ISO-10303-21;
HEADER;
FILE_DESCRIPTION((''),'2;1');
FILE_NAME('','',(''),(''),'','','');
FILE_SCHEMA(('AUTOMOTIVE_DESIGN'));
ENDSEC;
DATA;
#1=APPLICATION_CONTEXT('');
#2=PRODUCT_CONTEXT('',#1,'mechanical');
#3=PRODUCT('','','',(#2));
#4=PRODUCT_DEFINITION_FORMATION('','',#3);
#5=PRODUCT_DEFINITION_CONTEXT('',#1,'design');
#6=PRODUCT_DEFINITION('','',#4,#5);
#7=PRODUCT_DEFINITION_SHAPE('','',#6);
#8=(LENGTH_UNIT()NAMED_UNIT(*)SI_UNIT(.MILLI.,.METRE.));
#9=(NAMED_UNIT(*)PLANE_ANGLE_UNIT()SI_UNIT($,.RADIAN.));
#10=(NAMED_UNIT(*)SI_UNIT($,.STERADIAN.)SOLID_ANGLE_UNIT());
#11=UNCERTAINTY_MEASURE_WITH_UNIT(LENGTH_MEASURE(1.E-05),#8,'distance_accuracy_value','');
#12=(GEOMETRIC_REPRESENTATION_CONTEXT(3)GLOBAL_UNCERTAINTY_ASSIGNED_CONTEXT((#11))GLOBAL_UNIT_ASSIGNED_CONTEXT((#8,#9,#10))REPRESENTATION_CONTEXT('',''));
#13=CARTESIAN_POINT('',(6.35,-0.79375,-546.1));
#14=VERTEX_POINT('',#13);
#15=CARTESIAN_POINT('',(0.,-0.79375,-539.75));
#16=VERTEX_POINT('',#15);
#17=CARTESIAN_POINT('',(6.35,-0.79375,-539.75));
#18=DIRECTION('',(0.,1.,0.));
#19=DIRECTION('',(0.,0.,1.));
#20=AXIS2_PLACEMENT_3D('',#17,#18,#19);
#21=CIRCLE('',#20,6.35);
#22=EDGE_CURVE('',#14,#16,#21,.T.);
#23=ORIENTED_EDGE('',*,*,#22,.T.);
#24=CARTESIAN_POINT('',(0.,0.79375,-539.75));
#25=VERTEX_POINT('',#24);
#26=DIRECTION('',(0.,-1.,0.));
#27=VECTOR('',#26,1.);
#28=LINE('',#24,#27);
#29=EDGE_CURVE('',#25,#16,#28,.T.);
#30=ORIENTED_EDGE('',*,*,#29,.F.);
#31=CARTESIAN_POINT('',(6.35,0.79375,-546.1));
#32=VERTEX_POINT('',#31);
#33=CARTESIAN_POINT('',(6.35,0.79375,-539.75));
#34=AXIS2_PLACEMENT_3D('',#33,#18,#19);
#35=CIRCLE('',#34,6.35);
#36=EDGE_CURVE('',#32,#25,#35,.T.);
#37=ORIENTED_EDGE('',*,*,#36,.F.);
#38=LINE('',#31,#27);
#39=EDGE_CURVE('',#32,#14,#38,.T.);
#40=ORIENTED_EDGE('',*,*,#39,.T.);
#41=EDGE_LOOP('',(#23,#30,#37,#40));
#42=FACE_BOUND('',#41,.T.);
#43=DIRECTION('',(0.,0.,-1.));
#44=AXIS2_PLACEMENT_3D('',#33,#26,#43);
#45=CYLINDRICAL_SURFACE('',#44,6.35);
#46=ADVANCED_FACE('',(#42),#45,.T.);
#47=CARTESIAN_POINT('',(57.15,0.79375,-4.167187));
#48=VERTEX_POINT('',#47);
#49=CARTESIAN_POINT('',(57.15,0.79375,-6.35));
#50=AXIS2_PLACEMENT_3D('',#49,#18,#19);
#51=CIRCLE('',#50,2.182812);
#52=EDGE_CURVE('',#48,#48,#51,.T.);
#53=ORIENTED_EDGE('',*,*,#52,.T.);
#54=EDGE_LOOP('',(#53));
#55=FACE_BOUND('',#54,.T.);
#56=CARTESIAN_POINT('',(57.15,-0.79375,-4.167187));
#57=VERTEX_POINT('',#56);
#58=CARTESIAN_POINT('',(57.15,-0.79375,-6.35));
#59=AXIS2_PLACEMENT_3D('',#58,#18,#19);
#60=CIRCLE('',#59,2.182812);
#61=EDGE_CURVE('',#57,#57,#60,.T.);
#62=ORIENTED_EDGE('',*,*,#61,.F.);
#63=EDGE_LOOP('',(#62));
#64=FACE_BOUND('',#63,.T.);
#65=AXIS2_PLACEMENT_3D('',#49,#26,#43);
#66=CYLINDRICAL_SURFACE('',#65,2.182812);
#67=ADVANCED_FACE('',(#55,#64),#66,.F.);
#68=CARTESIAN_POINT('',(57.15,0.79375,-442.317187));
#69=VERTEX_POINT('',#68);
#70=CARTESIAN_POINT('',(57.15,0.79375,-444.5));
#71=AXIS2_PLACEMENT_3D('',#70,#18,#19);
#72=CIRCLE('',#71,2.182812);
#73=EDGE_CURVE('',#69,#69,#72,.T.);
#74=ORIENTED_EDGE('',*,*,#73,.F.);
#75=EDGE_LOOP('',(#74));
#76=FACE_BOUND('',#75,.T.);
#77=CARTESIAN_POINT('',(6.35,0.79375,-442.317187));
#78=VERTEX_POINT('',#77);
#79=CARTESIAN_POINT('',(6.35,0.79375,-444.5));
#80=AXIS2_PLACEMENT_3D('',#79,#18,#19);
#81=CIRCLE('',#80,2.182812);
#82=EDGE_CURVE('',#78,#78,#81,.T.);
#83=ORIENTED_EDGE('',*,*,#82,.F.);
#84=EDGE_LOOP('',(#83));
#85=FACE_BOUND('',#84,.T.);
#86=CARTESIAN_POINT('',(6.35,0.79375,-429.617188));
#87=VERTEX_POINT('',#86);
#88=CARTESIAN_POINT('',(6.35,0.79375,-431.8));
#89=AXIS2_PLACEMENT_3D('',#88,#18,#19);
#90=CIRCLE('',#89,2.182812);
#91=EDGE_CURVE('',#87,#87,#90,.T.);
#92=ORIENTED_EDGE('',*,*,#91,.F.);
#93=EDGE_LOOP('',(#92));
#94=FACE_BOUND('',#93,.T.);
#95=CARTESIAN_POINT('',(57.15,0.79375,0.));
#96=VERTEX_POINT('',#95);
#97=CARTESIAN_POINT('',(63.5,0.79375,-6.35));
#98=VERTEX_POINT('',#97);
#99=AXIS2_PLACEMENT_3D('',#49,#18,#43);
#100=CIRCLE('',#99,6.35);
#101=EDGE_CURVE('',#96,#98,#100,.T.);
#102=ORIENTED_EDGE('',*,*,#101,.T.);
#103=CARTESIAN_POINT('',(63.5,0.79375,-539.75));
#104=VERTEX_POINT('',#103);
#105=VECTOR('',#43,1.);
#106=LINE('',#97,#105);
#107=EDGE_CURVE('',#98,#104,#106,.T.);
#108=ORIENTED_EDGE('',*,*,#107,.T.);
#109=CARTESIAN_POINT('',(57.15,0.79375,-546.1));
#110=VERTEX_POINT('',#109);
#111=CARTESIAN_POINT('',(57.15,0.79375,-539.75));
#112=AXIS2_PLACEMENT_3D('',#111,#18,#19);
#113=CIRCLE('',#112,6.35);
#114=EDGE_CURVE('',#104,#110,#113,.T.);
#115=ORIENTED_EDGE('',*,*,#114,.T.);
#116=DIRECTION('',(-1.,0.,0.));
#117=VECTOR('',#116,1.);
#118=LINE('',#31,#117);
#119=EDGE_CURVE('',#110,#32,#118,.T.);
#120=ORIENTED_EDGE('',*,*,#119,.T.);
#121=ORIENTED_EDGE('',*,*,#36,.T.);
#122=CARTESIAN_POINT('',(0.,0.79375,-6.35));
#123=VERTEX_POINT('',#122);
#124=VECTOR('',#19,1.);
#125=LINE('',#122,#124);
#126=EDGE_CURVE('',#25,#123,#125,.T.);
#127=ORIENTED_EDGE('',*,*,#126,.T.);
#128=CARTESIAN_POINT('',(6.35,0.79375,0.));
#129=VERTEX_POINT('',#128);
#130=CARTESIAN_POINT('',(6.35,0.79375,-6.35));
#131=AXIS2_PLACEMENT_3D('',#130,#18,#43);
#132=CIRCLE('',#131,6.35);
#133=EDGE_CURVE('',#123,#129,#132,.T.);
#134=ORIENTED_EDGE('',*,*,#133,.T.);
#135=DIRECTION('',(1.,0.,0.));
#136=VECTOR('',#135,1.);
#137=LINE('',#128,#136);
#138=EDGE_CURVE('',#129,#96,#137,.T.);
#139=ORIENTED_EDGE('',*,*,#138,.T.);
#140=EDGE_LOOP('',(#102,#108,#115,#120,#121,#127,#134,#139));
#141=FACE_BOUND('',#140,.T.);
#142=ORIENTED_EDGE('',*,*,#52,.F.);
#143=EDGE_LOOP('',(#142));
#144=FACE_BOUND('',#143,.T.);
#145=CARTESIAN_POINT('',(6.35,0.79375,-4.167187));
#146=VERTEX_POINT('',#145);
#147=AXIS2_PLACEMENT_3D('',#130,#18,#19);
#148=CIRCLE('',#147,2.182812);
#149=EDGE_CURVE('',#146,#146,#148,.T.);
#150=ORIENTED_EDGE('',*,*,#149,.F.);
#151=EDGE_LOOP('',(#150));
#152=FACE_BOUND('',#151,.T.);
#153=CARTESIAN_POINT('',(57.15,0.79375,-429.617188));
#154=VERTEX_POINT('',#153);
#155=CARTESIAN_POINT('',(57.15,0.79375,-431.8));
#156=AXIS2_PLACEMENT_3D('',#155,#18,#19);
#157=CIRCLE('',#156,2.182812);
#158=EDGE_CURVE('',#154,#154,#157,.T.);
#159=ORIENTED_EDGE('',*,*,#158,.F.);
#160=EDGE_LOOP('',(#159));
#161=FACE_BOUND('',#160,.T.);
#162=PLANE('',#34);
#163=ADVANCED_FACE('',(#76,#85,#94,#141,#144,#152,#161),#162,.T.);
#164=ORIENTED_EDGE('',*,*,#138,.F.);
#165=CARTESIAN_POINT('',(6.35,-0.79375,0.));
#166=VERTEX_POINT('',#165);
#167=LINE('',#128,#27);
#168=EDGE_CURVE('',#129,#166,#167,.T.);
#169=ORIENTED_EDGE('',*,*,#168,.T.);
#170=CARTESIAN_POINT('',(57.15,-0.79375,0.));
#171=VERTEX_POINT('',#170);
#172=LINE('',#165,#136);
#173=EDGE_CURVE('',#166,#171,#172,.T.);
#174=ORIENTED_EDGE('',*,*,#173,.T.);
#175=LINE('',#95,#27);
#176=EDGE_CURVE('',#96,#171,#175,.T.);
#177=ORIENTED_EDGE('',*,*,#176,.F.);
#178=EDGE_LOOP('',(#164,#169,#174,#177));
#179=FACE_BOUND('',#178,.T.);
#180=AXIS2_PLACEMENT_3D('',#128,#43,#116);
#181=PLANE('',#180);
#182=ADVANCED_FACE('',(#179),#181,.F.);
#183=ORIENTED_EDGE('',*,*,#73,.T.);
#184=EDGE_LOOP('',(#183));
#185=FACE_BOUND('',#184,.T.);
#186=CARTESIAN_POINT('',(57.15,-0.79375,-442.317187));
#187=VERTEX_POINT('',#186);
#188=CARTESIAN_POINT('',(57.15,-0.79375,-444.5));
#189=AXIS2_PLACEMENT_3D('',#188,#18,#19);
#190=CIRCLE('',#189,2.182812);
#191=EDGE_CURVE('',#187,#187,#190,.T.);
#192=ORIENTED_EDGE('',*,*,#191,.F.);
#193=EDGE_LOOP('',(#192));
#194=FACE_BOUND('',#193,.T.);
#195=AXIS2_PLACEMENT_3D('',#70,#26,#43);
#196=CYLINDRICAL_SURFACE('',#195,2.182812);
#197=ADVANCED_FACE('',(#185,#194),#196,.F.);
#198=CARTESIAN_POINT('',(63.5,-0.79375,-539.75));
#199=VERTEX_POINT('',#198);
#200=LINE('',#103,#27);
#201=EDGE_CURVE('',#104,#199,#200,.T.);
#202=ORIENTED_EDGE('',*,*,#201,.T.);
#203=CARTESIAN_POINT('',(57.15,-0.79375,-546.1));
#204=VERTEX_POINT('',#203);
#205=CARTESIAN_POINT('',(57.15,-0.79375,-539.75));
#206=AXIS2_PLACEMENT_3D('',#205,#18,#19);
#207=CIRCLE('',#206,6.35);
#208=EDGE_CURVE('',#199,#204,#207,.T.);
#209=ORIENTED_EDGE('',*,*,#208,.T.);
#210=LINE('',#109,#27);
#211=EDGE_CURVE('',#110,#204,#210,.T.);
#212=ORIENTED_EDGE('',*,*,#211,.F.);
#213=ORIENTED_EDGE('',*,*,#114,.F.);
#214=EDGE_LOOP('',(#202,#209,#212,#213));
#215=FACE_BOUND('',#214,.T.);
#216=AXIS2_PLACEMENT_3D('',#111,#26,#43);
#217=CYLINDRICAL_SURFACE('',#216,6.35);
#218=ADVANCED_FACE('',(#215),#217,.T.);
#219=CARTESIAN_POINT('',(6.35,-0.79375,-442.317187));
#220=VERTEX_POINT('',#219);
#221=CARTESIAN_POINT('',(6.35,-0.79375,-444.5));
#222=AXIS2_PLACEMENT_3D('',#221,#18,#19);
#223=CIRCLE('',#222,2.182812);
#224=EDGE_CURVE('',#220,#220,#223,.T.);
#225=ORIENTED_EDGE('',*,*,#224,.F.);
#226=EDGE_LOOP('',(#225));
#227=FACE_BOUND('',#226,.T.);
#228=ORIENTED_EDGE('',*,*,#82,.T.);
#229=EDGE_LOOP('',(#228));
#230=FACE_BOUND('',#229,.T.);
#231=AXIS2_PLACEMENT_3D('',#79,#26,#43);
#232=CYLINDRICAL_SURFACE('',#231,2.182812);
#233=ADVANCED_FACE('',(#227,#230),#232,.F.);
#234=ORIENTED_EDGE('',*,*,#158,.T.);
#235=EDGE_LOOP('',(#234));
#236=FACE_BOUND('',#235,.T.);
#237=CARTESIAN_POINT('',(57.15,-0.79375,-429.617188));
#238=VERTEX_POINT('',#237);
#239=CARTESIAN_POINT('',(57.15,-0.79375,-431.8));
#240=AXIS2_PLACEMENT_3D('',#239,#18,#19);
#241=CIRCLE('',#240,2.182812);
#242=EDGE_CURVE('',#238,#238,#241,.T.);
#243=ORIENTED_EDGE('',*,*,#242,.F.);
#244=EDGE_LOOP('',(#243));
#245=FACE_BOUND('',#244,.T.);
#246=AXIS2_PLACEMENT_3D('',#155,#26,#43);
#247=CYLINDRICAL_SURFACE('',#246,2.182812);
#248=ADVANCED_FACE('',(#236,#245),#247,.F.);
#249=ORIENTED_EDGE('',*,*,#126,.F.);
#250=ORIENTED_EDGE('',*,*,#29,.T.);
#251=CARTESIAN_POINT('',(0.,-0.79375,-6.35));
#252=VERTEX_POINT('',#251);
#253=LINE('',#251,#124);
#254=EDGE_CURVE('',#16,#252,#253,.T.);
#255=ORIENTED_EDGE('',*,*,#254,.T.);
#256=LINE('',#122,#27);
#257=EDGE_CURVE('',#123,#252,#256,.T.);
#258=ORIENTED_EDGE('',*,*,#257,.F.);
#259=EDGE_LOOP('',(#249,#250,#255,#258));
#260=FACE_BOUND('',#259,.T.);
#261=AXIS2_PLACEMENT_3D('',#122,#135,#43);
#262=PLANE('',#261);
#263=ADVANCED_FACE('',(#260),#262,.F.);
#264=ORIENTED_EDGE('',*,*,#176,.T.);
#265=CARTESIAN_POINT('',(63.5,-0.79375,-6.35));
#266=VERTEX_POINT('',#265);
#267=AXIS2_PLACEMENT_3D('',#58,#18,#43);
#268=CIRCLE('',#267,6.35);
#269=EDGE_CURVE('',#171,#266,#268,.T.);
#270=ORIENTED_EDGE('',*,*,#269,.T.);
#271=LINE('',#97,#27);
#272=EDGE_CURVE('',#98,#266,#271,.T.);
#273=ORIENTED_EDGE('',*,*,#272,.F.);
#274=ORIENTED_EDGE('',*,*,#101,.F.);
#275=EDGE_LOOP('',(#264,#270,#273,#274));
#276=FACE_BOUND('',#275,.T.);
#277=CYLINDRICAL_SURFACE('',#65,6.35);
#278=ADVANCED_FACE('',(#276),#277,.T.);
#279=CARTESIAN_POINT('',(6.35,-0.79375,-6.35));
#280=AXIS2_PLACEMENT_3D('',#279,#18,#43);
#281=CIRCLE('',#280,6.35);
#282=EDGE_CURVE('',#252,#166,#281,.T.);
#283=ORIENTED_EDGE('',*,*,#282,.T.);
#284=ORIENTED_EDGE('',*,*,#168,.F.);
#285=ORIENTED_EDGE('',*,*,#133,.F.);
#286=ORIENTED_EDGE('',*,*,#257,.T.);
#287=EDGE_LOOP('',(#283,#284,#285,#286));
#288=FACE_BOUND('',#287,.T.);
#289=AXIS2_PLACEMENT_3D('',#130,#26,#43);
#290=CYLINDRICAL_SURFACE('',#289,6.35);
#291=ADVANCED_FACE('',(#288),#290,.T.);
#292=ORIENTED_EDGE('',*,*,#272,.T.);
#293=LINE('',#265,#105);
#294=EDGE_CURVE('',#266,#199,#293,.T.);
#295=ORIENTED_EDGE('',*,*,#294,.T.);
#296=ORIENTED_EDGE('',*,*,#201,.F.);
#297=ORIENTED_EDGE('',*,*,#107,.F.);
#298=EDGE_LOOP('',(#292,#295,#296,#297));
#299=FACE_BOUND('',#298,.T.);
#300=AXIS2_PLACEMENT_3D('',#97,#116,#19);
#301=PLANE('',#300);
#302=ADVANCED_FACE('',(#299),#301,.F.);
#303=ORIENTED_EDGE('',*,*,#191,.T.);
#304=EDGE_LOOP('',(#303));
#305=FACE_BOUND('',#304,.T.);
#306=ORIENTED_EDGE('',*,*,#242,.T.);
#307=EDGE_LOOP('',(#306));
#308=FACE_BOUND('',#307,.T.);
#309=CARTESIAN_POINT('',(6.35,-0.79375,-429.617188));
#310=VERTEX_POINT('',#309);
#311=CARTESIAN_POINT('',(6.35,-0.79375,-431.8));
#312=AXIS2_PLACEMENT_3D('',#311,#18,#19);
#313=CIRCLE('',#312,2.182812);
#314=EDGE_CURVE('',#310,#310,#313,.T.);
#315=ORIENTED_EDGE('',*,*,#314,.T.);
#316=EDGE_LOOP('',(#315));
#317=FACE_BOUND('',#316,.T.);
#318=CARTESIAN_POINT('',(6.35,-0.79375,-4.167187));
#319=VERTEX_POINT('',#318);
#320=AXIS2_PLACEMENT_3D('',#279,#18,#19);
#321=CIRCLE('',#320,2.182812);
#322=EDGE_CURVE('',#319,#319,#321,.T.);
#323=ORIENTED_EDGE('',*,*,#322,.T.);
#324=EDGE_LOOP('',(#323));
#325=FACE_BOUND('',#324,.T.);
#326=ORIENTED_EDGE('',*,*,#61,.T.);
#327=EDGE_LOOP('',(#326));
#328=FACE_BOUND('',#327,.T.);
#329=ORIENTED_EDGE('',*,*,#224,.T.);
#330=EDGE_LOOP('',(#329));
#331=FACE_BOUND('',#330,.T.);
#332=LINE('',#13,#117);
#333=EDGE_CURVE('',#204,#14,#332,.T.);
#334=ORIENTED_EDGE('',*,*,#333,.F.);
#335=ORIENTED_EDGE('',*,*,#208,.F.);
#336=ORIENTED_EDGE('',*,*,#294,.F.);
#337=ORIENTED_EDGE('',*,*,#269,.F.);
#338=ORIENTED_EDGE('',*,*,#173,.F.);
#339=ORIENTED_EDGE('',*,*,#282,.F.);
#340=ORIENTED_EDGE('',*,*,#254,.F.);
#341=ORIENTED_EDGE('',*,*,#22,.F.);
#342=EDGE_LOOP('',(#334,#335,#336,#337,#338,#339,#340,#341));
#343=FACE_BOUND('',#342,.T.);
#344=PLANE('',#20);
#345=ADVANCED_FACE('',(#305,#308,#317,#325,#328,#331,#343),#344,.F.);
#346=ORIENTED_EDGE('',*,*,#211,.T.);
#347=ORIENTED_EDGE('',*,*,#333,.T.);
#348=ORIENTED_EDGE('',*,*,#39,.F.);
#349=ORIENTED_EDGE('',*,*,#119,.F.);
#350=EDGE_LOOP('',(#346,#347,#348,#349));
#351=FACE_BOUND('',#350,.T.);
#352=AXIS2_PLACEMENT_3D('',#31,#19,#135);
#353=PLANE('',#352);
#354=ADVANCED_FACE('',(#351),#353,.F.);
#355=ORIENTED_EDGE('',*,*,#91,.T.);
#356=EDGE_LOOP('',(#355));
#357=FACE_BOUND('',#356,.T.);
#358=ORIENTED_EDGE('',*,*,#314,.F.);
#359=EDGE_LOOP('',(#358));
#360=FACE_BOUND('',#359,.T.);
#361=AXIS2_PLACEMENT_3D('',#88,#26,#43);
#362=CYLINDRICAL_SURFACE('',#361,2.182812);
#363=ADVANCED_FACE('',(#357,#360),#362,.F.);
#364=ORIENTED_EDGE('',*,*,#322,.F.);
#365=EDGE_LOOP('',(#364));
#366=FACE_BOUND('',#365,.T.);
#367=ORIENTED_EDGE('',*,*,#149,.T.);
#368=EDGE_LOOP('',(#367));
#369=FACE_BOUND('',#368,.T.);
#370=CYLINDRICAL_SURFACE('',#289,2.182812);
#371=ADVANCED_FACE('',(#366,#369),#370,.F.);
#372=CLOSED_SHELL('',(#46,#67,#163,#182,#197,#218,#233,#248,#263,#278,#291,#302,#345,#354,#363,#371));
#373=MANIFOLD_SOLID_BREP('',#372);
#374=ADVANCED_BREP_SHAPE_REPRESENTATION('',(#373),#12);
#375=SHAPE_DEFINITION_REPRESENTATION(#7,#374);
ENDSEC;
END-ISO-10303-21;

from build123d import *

# Parameters (mm, degrees)
SKETCH1_R           = 2.1828125
BOSS_EXTRUDE1_DEPTH = 0.79375


with BuildPart() as part:
    # Sketch1 → Boss-Extrude1 (new body, symmetric)
    with BuildSketch(Plane(origin=(0, 0, 0), x_dir=(1, 0, 0), z_dir=(0, 1, 0))):
        with BuildLine():
            Line((6.35, 0), (57.15, 0))
            ThreePointArc((57.15, 0), (61.640128061, 1.859871939), (63.5, 6.35))
            Line((63.5, 6.35), (63.5, 539.75))
            ThreePointArc((63.5, 539.75), (61.640128061, 544.240128061), (57.15, 546.1))
            Line((57.15, 546.1), (6.35, 546.1))
            ThreePointArc((6.35, 546.1), (1.859871939, 544.240128061), (0, 539.75))
            Line((0, 539.75), (0, 6.35))
            ThreePointArc((0, 6.35), (1.859871939, 1.859871939), (6.35, 0))
        make_face()
        with Locations((6.35, 6.35)):
            Circle(SKETCH1_R, mode=Mode.SUBTRACT)
        with Locations((57.15, 6.35)):
            Circle(SKETCH1_R, mode=Mode.SUBTRACT)
        with Locations((6.35, 431.8)):
            Circle(SKETCH1_R, mode=Mode.SUBTRACT)
        with Locations((6.35, 444.5)):
            Circle(SKETCH1_R, mode=Mode.SUBTRACT)
        with Locations((57.15, 431.8)):
            Circle(SKETCH1_R, mode=Mode.SUBTRACT)
        with Locations((57.15, 444.5)):
            Circle(SKETCH1_R, mode=Mode.SUBTRACT)
    extrude(amount=BOSS_EXTRUDE1_DEPTH, both=True)


solid = part.part
